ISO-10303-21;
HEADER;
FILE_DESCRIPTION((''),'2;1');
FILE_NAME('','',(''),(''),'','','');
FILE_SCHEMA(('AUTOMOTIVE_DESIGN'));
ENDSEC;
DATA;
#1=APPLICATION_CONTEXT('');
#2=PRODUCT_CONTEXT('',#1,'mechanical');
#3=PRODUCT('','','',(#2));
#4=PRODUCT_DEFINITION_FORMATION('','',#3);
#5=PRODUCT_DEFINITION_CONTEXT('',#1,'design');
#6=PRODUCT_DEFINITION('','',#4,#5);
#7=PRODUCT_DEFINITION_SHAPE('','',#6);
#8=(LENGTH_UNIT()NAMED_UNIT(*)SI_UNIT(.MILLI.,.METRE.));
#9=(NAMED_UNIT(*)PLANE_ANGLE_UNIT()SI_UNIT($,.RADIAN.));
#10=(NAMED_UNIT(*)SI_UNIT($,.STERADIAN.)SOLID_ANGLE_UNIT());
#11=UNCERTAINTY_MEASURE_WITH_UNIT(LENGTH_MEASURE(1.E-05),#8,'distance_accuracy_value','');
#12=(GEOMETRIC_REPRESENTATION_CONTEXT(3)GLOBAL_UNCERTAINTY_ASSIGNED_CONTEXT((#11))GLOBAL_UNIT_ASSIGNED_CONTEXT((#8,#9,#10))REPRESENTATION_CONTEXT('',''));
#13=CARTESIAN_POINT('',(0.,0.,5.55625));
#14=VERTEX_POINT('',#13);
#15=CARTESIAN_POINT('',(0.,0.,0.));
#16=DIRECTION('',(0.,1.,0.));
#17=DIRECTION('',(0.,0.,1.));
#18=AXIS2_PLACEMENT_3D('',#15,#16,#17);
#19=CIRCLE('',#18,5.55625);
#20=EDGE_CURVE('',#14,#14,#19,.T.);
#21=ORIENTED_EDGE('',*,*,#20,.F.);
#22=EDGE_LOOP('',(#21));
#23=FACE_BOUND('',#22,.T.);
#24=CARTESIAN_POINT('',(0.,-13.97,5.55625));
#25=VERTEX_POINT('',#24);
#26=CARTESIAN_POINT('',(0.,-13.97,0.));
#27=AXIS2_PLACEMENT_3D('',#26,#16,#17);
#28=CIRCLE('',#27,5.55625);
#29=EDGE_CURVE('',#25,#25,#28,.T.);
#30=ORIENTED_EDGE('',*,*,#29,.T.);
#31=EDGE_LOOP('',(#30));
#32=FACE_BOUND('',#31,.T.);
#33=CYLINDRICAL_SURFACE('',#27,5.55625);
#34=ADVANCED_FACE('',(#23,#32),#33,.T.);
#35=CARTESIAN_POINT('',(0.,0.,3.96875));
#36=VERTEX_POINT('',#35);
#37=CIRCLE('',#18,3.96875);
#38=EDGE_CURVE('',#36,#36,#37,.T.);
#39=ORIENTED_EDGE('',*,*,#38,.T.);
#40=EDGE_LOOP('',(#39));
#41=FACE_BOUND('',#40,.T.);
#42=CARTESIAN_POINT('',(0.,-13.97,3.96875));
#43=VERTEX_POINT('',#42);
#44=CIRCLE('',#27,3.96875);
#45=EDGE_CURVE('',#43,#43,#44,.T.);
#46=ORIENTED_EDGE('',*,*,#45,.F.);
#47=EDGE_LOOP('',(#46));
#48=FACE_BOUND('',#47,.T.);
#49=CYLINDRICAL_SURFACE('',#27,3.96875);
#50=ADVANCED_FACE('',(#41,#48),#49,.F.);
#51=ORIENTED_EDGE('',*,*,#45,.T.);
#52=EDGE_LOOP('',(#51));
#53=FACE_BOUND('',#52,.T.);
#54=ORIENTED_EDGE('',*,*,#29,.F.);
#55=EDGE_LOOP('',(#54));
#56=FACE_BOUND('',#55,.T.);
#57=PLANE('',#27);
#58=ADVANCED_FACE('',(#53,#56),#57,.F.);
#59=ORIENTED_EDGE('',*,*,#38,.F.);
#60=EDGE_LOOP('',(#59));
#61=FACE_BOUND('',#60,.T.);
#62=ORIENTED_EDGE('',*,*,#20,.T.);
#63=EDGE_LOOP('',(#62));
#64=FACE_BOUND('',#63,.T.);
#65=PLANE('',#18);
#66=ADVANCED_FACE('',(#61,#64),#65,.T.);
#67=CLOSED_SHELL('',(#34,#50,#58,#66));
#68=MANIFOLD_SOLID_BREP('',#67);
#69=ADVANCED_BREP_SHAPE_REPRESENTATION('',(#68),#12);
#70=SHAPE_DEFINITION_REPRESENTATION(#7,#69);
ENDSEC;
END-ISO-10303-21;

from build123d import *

# Parameters (mm, degrees)
SKETCH1_R           = 5.55625
SKETCH1_R_2         = 3.96875
BOSS_EXTRUDE1_DEPTH = 13.97


with BuildPart() as part:
    # Sketch1 → Boss-Extrude1 (new body)
    with BuildSketch(Plane(origin=(0, 0, 0), x_dir=(1, 0, 0), z_dir=(0, 1, 0))):
        Circle(SKETCH1_R)
        Circle(SKETCH1_R_2, mode=Mode.SUBTRACT)
    extrude(amount=-BOSS_EXTRUDE1_DEPTH)


solid = part.part
